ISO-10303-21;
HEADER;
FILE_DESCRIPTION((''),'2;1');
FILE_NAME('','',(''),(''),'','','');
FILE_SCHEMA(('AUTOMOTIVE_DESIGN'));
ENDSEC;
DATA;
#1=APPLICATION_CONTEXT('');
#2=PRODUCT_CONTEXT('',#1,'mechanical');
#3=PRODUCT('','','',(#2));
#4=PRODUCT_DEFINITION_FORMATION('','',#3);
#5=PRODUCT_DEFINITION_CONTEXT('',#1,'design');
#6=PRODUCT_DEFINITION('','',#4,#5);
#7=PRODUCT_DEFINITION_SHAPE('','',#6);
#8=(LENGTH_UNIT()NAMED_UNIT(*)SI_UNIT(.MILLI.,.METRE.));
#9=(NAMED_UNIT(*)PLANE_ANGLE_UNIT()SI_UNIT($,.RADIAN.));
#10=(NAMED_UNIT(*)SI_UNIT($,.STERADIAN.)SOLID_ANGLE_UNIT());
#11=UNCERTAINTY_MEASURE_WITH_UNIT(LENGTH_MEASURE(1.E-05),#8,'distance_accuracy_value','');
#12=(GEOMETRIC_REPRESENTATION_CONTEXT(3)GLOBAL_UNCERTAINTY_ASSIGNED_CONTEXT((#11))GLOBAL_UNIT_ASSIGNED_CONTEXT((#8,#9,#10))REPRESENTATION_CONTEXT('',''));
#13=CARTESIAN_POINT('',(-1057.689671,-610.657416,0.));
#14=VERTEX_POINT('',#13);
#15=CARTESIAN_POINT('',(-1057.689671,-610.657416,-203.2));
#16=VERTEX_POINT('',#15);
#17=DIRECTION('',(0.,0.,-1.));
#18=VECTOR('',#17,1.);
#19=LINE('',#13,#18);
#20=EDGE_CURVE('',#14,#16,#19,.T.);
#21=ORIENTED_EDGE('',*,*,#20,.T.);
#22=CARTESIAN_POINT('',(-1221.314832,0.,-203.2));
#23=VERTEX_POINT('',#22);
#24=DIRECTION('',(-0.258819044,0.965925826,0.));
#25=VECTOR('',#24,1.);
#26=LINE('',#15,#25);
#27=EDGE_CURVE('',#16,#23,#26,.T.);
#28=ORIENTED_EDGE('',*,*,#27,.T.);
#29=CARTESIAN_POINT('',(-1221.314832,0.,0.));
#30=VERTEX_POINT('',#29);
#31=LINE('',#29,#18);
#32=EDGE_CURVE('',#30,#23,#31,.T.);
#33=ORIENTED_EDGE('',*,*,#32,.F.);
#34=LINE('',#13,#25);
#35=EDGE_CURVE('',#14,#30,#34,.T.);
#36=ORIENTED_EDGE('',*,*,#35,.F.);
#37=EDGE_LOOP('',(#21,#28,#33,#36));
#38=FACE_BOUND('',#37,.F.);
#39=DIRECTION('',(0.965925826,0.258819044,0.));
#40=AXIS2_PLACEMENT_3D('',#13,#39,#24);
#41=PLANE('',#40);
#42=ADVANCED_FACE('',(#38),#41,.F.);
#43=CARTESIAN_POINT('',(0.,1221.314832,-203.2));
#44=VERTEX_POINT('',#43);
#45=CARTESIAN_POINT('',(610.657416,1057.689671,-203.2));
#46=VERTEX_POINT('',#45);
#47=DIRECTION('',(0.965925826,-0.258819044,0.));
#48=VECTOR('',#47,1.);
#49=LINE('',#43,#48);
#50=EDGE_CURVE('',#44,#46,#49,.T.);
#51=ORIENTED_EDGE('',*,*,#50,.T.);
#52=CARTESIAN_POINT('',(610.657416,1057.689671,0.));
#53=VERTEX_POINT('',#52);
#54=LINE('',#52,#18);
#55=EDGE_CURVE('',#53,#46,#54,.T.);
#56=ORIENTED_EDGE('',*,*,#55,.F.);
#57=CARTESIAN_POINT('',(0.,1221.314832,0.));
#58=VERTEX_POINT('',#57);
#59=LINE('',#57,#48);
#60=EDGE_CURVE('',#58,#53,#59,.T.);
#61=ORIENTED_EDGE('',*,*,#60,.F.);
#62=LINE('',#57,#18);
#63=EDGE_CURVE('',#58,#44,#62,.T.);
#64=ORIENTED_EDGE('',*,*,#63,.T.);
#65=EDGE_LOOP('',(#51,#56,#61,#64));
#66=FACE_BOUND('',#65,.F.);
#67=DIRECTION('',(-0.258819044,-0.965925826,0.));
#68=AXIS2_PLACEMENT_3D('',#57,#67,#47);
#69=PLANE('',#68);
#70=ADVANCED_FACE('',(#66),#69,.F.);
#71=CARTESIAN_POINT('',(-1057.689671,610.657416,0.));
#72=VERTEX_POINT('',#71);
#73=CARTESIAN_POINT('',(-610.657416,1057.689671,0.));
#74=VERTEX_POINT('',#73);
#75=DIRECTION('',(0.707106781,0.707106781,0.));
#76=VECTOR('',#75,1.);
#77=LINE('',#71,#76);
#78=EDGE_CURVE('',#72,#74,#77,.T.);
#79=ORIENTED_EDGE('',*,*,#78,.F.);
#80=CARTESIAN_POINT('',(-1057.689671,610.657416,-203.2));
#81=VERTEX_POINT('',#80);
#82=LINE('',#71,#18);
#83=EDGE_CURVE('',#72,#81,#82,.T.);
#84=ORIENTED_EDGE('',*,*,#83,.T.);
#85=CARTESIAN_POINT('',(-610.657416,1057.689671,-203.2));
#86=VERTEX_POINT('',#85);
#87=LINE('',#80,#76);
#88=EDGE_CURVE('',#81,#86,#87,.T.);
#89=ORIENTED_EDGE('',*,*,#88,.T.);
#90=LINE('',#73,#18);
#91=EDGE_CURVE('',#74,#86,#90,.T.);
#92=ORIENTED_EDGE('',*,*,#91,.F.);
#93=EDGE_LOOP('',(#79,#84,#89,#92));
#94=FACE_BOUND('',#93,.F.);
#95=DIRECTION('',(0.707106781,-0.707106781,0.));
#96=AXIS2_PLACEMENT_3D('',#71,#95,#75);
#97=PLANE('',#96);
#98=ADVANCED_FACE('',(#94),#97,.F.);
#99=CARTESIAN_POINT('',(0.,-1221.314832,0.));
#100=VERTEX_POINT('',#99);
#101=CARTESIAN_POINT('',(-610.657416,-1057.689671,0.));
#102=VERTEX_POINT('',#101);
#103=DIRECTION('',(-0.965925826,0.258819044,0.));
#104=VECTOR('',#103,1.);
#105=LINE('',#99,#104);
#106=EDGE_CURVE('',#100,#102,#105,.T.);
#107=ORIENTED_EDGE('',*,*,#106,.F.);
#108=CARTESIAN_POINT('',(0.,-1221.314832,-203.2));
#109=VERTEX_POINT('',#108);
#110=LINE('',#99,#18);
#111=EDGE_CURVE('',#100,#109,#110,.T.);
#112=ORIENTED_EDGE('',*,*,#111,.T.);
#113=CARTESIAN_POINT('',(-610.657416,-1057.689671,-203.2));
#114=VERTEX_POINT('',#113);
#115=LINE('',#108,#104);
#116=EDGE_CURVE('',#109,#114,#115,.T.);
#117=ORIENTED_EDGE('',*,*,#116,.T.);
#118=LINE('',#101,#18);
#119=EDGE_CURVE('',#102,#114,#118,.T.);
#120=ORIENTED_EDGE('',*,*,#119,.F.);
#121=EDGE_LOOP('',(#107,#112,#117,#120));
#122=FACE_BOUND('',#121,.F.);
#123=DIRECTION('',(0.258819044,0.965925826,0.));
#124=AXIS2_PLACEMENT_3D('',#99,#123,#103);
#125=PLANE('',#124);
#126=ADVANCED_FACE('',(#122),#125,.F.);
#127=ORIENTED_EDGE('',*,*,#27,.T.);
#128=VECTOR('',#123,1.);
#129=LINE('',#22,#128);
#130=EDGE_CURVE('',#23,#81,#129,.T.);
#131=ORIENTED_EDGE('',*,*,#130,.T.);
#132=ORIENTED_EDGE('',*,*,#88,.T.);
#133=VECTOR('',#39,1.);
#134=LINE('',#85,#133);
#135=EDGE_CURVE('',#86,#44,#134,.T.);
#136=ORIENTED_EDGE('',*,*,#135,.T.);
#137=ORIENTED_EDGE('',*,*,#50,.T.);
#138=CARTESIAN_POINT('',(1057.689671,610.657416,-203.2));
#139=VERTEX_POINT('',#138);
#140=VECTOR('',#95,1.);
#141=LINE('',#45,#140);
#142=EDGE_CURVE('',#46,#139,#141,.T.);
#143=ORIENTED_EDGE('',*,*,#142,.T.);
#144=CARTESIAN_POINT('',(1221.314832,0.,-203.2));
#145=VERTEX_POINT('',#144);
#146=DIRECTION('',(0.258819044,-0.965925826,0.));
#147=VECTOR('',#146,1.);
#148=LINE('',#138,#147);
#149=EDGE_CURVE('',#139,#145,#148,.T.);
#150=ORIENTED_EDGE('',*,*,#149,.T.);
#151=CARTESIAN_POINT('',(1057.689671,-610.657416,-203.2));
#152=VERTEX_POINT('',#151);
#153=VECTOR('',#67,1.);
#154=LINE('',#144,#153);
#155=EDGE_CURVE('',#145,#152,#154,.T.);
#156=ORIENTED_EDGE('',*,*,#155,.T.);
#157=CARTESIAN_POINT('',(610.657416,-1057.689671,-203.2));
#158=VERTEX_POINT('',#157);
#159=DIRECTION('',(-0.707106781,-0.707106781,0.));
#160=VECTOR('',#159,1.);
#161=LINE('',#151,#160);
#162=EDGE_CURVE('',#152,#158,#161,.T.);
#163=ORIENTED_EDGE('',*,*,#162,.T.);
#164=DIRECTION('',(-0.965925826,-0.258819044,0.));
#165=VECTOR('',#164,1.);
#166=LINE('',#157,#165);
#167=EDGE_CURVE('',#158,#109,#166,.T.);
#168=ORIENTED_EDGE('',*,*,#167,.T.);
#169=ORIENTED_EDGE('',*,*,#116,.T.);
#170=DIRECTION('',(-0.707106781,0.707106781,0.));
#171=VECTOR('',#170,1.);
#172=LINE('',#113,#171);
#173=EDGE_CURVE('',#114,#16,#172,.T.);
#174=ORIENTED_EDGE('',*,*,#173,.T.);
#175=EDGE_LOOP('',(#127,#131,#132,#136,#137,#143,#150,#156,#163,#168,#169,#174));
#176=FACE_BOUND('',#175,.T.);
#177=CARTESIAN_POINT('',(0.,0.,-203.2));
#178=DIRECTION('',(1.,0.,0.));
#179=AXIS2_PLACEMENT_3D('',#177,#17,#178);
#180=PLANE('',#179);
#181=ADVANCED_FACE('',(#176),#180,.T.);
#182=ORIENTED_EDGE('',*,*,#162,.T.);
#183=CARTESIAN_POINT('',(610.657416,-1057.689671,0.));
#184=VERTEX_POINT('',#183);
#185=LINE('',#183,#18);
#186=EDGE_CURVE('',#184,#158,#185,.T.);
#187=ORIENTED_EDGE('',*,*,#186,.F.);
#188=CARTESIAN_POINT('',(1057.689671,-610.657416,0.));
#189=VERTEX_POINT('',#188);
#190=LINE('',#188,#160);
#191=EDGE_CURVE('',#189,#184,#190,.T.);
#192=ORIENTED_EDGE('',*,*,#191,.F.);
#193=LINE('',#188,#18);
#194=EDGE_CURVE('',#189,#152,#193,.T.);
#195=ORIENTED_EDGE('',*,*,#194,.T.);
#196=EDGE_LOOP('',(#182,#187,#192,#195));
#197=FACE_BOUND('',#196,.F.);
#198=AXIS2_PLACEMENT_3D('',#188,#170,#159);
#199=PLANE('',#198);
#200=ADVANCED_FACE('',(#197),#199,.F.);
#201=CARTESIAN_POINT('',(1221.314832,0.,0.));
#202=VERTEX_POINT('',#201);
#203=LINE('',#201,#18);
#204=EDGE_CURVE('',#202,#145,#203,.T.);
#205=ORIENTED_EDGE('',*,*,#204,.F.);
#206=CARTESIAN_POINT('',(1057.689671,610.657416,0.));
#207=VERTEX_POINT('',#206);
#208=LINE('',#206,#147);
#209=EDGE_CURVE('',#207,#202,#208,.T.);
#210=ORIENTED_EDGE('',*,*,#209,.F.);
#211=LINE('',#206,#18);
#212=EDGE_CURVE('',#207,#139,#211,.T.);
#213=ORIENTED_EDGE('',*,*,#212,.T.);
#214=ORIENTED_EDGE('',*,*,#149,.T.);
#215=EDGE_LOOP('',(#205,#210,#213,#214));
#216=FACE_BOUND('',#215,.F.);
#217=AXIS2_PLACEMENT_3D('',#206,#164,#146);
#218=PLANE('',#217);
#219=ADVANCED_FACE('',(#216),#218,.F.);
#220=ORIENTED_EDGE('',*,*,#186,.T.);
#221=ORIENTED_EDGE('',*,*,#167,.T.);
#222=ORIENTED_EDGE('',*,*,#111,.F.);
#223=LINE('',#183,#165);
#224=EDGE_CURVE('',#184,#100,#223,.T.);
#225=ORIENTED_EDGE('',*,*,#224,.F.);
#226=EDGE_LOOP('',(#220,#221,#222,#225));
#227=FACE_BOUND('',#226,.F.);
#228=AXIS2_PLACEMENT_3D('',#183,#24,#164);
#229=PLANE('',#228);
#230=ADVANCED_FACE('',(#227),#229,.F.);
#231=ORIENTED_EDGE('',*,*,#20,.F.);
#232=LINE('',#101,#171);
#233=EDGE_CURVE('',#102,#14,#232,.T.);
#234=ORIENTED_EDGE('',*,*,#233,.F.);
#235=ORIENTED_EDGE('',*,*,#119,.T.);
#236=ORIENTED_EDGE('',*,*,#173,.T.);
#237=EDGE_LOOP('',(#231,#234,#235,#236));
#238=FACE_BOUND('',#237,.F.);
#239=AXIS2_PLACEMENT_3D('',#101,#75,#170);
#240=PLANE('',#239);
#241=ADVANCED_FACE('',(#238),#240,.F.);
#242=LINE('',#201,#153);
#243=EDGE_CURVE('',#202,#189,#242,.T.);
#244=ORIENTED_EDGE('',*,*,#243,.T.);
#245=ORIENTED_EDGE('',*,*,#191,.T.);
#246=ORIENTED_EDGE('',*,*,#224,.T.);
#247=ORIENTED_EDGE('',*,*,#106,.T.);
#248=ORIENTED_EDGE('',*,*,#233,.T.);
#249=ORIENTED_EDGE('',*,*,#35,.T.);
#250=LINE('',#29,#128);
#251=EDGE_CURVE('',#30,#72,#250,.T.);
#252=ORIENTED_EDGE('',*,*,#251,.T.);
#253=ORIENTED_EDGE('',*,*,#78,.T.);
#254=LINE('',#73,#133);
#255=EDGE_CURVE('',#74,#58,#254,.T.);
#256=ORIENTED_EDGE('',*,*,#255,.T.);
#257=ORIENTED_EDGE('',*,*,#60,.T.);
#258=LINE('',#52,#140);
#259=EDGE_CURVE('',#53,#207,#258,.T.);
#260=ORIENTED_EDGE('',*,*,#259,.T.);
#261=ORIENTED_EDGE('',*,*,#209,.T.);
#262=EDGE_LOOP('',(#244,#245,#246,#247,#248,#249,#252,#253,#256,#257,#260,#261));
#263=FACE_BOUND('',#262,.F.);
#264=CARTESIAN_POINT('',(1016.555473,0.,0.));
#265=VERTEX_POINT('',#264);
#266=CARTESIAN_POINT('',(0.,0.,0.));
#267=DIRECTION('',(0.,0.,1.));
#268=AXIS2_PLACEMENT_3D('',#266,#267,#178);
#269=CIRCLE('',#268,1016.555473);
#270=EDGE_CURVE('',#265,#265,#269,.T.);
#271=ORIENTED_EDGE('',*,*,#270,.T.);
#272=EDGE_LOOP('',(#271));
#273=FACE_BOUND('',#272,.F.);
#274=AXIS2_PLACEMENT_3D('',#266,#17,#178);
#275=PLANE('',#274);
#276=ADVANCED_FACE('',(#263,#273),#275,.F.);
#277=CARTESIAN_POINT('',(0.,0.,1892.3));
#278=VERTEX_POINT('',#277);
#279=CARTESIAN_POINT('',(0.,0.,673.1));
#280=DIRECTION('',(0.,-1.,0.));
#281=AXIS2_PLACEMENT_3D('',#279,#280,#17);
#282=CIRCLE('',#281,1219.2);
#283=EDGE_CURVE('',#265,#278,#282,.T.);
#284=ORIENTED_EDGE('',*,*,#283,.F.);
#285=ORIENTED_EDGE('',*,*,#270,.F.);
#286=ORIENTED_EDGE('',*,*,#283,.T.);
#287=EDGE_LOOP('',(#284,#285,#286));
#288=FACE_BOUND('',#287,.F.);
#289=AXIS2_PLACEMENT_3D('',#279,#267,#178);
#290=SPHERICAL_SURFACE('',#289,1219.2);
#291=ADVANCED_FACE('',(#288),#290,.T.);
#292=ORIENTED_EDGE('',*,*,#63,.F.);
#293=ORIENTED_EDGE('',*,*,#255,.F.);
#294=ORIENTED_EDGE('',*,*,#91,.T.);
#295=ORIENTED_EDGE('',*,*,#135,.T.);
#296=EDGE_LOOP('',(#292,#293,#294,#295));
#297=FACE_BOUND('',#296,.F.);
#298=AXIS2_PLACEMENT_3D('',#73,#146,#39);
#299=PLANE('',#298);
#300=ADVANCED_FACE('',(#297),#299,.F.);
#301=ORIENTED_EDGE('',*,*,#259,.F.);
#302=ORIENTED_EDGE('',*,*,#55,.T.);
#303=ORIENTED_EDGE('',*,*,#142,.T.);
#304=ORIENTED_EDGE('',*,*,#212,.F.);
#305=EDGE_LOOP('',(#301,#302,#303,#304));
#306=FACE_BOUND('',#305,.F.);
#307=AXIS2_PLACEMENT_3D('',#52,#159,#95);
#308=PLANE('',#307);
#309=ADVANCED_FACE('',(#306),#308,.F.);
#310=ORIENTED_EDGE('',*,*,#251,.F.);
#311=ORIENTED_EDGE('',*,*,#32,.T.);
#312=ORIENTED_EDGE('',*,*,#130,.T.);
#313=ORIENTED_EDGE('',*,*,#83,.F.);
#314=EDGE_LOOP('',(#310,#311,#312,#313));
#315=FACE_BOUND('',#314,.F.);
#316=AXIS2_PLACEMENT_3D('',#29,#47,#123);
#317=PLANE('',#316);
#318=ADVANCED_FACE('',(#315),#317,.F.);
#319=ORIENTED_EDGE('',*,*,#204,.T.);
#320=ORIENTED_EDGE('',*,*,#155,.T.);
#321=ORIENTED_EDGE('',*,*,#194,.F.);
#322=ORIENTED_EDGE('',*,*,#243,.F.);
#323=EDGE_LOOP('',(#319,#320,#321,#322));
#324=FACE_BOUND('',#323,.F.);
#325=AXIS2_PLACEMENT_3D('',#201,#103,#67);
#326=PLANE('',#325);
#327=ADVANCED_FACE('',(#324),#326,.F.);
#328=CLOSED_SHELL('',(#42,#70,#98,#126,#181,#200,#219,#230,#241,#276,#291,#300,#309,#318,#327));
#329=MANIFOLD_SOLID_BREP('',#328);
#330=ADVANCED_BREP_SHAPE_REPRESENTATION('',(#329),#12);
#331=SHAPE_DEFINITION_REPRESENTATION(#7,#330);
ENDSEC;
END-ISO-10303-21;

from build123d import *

# Parameters (mm, degrees)
F2_R     = 1524
F3_DEPTH = 914.4
F5_DEPTH = 203.2


with BuildPart() as f1:
    # F0 (on Front) → F1 (revolve)
    with BuildSketch(Plane.XZ):
        with BuildLine():
            Line((0, 1892.3), (0, -546.1))
            ThreePointArc((0, -546.1), (1219.2, 673.1), (0, 1892.3))
        make_face()
    revolve(axis=Axis((0, 0, 673.1), (0, 0, -1)))

    # F2 (on Top) → F3 (cut)
    with BuildSketch(Plane.XY):
        Circle(F2_R)
    extrude(amount=-F3_DEPTH, mode=Mode.SUBTRACT)

    # F4 (on face) → F5 (join)
    with BuildSketch(Plane(origin=(0, 0, 0), x_dir=(1, 0, 0), z_dir=(0, 0, -1))):
        Polygon((1221.314832, 0), (1057.689671, 610.657416), (610.657416, 1057.689671), (0, 1221.314832), (-610.657416, 1057.689671), (-1057.689671, 610.657416), (-1221.314832, 0), (-1057.689671, -610.657416), (-610.657416, -1057.689671), (0, -1221.314832), (610.657416, -1057.689671), (1057.689671, -610.657416), align=None)
    extrude(amount=F5_DEPTH)


solid = f1.part
